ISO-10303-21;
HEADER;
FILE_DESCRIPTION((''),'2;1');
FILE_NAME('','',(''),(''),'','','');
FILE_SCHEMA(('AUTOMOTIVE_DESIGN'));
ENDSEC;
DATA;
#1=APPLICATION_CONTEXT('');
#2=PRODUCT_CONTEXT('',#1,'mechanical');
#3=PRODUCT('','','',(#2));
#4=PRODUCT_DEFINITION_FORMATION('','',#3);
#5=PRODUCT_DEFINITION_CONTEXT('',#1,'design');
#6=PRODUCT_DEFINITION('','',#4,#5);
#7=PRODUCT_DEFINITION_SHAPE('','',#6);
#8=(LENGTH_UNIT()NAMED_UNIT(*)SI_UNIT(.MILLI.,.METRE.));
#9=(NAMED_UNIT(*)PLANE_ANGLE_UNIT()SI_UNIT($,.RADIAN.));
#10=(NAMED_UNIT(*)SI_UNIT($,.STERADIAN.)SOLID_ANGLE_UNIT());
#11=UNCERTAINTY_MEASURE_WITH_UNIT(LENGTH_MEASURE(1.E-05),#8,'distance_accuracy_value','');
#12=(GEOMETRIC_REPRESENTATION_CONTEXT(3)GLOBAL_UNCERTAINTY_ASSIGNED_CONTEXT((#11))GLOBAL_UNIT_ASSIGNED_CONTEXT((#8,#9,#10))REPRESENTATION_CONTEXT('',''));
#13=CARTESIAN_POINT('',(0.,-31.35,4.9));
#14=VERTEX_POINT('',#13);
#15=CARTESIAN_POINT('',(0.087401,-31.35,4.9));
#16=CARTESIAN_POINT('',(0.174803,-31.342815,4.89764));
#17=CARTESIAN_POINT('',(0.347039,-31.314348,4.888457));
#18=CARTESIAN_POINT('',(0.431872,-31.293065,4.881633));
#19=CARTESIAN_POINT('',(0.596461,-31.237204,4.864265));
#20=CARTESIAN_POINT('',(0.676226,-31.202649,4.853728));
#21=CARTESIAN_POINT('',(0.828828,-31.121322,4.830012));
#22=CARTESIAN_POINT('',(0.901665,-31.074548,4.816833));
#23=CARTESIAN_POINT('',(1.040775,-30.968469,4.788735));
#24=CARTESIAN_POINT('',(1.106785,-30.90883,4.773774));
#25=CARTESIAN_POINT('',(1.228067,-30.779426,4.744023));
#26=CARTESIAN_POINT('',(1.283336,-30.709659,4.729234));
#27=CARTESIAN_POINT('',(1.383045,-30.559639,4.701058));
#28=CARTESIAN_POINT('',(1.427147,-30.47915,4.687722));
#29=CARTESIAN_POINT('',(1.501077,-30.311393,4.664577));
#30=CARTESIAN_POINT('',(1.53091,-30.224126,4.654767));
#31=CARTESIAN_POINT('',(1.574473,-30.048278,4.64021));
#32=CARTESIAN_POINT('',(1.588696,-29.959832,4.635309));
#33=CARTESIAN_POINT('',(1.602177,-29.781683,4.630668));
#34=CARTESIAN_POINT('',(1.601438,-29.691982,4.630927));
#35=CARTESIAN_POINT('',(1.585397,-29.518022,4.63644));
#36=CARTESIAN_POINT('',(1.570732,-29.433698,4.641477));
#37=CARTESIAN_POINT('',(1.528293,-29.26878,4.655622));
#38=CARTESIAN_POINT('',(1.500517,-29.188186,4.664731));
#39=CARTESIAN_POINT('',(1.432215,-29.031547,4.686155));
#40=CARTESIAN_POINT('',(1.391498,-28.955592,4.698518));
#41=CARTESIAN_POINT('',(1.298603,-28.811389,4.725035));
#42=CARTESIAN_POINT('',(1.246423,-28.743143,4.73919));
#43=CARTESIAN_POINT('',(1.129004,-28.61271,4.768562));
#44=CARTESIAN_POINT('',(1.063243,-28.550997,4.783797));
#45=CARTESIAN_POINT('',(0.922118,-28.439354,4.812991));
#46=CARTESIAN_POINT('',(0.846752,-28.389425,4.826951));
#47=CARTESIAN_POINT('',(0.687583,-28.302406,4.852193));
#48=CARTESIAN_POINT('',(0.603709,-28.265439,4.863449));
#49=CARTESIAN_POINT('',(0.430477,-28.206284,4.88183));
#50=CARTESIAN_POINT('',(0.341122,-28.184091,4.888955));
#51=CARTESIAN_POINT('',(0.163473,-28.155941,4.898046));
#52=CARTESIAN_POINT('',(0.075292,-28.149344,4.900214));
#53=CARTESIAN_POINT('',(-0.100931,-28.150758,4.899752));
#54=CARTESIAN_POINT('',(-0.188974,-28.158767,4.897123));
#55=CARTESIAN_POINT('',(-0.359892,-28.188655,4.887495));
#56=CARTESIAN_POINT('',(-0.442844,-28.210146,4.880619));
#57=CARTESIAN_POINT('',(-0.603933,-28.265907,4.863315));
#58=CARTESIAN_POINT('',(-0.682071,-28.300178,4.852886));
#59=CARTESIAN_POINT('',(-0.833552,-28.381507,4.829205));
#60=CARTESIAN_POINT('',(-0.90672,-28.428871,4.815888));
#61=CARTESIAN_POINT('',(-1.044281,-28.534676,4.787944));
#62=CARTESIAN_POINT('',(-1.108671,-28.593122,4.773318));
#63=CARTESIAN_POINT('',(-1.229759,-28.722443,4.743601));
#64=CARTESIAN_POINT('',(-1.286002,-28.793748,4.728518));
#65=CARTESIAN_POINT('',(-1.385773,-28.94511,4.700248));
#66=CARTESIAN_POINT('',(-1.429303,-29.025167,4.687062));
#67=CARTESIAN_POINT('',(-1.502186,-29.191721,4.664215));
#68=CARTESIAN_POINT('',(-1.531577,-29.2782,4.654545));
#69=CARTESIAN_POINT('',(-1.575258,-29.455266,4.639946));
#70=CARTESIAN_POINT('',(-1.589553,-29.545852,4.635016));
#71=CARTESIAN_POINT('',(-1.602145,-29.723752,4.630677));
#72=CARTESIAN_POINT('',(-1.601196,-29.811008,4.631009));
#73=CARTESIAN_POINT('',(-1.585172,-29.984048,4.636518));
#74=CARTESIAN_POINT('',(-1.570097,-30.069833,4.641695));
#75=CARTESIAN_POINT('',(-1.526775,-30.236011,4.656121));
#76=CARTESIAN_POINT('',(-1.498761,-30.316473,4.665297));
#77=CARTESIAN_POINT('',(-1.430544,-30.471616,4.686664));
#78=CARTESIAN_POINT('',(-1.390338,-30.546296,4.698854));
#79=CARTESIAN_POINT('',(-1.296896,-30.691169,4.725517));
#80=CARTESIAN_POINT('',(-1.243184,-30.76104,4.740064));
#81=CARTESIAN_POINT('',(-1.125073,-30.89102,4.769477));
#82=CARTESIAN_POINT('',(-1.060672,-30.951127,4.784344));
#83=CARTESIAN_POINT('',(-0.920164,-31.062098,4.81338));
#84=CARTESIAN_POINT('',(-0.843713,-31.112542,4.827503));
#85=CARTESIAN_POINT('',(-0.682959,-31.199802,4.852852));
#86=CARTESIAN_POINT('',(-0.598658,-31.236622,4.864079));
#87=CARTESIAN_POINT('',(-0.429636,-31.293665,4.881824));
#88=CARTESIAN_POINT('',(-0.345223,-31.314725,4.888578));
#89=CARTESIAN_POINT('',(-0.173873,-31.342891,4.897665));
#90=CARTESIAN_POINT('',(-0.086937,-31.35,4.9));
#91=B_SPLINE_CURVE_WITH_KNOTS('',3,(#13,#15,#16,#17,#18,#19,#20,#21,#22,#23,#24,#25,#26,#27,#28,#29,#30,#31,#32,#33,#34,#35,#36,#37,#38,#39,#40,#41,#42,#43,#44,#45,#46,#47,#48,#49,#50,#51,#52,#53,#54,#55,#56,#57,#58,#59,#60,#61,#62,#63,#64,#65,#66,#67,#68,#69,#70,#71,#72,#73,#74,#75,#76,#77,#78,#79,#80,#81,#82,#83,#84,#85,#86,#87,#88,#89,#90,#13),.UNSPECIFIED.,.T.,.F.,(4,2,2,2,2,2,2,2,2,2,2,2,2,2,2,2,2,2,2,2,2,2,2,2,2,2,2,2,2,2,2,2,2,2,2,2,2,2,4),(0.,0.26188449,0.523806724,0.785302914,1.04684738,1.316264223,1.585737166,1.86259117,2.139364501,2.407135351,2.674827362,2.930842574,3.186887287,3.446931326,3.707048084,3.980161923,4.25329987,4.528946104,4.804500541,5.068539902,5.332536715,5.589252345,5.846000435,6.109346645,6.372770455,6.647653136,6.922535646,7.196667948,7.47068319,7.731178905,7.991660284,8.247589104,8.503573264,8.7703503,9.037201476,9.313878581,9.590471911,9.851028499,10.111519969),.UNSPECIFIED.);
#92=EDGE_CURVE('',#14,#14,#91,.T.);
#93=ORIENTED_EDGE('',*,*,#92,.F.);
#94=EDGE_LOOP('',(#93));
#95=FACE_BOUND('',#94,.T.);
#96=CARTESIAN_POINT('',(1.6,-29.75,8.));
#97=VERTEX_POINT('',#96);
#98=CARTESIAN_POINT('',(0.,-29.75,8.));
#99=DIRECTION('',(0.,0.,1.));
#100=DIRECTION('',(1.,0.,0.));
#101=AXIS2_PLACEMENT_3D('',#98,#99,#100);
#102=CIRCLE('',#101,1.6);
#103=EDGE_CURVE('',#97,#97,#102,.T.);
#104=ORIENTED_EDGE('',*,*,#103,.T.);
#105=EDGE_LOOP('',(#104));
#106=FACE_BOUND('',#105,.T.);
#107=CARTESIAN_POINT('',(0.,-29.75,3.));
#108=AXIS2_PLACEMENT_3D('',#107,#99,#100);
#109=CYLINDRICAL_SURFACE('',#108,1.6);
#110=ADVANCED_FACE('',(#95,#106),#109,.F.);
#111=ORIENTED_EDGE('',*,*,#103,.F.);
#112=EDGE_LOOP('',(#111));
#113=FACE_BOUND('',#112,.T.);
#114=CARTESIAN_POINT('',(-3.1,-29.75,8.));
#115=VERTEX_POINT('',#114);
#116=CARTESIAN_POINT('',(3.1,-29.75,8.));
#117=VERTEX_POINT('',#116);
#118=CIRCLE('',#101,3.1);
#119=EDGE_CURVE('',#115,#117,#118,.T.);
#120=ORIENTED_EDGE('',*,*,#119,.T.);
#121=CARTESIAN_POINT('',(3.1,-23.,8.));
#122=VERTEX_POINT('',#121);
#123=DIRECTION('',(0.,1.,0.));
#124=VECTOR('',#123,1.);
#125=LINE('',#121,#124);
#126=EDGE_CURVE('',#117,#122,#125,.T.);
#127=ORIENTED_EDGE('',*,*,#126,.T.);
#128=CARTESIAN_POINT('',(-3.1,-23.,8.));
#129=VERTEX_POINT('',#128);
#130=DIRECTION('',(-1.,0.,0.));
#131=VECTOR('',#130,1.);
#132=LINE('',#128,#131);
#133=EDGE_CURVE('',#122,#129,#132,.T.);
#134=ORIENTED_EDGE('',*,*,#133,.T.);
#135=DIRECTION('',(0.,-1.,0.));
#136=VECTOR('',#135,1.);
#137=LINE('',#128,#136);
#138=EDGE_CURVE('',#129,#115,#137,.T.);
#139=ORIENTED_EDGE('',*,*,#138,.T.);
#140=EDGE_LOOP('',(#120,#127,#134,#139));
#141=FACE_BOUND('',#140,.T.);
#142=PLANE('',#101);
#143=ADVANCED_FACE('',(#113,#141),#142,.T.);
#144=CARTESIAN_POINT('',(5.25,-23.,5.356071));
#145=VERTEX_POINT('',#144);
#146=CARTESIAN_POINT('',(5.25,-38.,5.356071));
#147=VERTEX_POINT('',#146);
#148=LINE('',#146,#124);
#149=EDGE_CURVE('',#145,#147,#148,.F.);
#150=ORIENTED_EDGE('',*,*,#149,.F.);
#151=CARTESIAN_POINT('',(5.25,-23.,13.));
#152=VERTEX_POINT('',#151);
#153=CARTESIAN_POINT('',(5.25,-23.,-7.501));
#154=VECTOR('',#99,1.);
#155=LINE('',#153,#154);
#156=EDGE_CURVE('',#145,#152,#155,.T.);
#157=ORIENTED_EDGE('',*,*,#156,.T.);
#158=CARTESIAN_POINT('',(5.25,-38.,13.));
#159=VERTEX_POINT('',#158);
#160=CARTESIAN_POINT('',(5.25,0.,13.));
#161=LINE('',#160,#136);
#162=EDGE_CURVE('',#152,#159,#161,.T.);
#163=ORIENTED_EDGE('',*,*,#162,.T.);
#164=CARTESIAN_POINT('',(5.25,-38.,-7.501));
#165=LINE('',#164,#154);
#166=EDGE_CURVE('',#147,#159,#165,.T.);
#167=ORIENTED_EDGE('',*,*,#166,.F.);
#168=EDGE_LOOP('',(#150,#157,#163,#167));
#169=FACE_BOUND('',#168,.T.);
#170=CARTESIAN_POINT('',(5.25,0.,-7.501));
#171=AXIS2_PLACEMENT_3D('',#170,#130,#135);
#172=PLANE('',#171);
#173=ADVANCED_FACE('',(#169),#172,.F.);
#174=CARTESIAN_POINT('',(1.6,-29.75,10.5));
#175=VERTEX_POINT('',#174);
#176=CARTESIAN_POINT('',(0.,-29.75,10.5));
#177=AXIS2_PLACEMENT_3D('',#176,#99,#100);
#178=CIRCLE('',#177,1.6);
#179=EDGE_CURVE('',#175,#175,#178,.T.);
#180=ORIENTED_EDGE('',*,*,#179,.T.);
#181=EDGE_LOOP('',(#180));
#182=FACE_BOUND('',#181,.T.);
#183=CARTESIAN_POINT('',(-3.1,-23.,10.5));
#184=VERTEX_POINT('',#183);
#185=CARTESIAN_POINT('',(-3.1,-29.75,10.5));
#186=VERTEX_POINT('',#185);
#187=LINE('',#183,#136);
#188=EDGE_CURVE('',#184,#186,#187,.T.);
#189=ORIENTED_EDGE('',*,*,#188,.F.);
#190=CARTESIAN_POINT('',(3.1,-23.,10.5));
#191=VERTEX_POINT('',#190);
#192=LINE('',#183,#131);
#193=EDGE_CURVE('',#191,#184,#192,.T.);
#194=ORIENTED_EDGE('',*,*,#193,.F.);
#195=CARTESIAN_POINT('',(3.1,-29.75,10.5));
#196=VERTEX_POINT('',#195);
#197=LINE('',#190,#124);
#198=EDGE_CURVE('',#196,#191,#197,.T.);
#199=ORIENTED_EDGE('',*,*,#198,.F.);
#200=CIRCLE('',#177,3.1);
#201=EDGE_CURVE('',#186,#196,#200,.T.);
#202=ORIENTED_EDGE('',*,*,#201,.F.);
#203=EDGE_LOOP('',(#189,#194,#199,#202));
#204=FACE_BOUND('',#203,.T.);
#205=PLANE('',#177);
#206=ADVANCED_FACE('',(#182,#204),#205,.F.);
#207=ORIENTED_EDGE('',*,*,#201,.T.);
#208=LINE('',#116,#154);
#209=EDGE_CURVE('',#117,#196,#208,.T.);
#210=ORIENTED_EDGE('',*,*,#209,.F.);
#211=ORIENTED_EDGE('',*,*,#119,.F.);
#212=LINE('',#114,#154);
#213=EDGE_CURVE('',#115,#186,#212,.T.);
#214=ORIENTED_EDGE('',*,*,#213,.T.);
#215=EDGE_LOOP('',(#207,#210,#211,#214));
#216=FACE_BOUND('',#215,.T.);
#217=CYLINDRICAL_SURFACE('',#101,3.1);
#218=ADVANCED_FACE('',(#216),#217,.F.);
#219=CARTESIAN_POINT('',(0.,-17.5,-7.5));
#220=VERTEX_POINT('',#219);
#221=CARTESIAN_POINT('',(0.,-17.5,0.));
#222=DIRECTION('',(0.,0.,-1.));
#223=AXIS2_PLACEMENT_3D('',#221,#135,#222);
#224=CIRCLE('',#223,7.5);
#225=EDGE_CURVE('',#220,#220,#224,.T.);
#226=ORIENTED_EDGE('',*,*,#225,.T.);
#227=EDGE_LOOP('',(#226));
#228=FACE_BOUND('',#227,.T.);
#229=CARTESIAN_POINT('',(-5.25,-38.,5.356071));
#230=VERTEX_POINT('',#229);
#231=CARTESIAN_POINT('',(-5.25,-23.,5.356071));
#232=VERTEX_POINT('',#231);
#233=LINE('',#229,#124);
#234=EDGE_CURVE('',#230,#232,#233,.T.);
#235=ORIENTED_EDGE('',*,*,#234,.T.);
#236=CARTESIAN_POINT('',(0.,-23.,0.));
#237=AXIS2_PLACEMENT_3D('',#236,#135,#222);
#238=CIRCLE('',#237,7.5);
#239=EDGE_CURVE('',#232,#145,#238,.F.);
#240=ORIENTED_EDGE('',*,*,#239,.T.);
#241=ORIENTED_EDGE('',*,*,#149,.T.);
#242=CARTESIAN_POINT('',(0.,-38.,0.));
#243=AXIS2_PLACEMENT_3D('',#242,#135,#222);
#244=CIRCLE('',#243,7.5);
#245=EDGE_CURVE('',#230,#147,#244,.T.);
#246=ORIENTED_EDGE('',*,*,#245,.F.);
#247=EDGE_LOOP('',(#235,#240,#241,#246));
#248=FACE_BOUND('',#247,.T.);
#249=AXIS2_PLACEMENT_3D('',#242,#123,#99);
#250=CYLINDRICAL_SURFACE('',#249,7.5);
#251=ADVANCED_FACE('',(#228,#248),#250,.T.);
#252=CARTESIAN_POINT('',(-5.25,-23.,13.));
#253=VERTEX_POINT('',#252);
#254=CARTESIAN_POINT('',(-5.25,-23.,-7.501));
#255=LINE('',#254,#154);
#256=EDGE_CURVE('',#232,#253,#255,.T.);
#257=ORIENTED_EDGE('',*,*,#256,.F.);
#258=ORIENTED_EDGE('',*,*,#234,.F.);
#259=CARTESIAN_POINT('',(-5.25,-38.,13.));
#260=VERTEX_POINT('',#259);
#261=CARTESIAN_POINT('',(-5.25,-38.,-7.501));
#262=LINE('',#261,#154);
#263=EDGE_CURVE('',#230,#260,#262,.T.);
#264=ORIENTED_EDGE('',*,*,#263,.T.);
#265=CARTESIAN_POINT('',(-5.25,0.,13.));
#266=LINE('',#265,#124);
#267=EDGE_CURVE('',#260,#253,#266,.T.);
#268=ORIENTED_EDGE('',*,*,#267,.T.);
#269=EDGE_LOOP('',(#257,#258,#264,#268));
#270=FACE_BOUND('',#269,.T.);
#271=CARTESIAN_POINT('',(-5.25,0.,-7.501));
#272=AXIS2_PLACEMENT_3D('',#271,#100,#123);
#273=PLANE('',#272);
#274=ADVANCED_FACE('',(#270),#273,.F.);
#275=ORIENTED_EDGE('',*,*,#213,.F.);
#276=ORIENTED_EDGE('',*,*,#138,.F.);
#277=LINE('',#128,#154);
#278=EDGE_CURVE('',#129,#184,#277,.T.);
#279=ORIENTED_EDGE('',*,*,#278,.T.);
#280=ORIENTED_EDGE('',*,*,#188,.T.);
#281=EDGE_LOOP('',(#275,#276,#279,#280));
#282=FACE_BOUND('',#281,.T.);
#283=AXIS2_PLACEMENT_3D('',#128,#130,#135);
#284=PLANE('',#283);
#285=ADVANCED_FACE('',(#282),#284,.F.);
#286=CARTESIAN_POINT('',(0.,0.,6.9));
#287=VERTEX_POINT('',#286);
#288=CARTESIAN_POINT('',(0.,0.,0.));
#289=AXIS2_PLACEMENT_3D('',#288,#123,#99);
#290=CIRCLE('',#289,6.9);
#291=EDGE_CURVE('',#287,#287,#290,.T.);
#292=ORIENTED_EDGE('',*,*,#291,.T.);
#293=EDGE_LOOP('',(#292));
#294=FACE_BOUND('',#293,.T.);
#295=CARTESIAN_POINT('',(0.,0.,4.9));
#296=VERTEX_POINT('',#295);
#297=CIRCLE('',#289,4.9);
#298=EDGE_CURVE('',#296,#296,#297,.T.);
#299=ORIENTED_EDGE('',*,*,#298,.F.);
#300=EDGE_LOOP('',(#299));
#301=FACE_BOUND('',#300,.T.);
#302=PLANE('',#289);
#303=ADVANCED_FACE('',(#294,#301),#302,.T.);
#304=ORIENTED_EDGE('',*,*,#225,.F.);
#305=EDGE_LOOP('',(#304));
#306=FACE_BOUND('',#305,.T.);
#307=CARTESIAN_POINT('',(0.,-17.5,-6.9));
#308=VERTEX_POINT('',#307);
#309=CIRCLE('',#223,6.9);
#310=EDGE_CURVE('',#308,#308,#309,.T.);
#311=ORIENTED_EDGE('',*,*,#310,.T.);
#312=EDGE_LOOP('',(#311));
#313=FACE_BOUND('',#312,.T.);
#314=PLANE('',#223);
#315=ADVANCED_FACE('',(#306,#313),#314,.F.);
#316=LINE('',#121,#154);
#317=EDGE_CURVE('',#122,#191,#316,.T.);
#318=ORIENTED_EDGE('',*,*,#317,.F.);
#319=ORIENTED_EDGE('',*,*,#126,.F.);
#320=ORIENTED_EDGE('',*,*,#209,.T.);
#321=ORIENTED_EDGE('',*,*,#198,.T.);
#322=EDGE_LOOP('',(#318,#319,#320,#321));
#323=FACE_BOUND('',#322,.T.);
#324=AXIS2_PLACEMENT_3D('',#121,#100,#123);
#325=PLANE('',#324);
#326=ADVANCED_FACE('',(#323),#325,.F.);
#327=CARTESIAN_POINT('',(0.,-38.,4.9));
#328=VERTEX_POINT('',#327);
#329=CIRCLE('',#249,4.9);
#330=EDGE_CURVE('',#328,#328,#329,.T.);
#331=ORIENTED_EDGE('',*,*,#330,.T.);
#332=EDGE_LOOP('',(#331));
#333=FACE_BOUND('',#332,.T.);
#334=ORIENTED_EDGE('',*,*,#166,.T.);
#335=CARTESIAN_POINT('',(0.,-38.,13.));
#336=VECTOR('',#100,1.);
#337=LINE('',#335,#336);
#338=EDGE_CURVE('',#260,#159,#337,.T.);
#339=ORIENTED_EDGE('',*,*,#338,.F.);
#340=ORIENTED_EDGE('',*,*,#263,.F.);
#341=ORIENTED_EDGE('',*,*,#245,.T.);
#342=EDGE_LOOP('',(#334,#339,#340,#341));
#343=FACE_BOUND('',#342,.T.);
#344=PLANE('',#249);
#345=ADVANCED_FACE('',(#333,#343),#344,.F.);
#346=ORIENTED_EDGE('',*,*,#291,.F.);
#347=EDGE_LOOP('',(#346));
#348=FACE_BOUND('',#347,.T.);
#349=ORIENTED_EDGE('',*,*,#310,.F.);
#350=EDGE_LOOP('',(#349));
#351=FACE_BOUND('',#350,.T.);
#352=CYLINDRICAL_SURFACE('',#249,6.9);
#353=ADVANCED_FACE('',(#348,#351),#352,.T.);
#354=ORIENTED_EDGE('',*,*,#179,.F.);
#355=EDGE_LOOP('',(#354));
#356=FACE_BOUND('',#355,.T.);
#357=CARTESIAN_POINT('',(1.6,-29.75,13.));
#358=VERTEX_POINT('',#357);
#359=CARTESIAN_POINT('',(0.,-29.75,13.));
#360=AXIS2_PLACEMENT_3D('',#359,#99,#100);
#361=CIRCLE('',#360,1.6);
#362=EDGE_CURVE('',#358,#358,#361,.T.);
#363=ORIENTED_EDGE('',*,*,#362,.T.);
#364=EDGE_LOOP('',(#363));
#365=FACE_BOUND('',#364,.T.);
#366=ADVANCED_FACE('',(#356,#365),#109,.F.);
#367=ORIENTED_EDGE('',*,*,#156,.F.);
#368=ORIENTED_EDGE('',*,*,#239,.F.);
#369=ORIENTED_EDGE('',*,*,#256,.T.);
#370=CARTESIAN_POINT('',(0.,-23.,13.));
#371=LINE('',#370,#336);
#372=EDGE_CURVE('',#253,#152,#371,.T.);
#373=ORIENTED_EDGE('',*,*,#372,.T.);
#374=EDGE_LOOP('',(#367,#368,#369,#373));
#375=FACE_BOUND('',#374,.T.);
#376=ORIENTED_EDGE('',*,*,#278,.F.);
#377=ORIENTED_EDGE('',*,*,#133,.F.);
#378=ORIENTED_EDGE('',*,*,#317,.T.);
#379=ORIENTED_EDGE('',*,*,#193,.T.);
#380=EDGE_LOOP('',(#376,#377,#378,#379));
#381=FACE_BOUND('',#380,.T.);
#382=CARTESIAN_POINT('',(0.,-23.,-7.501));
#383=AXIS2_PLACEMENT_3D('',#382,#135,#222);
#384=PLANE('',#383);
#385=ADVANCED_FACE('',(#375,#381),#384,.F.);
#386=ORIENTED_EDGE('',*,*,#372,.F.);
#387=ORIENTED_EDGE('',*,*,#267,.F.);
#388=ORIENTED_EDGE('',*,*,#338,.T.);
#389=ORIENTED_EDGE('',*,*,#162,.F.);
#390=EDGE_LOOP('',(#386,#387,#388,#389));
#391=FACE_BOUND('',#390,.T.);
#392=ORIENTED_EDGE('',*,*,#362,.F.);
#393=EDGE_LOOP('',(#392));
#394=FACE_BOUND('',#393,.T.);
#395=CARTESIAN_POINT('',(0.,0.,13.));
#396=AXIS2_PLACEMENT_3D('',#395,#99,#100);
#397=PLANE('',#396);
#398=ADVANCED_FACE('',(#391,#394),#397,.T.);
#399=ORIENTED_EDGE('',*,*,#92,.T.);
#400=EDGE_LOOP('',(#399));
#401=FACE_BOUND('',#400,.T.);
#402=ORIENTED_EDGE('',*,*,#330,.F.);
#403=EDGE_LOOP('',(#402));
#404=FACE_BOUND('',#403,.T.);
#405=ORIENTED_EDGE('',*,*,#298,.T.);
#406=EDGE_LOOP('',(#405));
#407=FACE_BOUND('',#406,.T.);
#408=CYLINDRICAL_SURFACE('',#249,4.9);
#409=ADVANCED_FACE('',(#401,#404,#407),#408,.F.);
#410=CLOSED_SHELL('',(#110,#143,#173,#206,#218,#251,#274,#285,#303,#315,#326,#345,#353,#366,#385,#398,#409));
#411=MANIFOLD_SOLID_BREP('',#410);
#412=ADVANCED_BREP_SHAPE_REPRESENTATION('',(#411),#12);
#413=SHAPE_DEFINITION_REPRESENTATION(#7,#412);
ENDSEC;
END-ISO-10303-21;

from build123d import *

# Parameters (mm, degrees)
SKETCH1_R                = 6.9
SKETCH1_R_2              = 4.9
BOSS_EXTRUDE1_DEPTH      = 38
SKETCH2_R                = 7.5
SKETCH2_R_2              = 6.9
BOSS_EXTRUDE2_DEPTH      = 20.5
BOSS_EXTRUDE3_REACH      = 22.5
BOSS_EXTRUDE3_END_RADIUS = 7.5
BOSS_EXTRUDE3_START      = 13
SKETCH3_W                = 10.5
SKETCH3_H                = 15
CUT_EXTRUDE1_START       = -2.5
CUT_EXTRUDE1_DEPTH       = 2.5
SKETCH5_R                = 1.6
CUT_EXTRUDE2_DEPTH       = 10


with BuildPart() as part:
    # Sketch1 → Boss-Extrude1 (new body)
    with BuildSketch(Plane(origin=(0, 0, 0), x_dir=(1, 0, 0), z_dir=(0, 1, 0))):
        with Locations(Location((0, 0, 0), (0, 0, 270))):  # turned: the seam where the file's is
            Circle(SKETCH1_R)
        with Locations(Location((0, 0, 0), (0, 0, 270))):  # turned: the seam where the file's is
            Circle(SKETCH1_R_2, mode=Mode.SUBTRACT)
    extrude(amount=-BOSS_EXTRUDE1_DEPTH)

    # Sketch2 → Boss-Extrude2 (add, through all)
    with BuildSketch(Plane(origin=(0, -17.5, 0), x_dir=(-1, 0, 0), z_dir=(0, -1, 0))):
        with Locations(Location((0, 0, 0), (0, 0, 90))):  # turned: the seam where the file's is
            Circle(SKETCH2_R)
        with Locations(Location((0, 0, 0), (0, 0, 270))):  # turned: the seam where the file's is
            Circle(SKETCH2_R_2, mode=Mode.SUBTRACT)
    extrude(amount=BOSS_EXTRUDE2_DEPTH)

    # Boss-Extrude3: up to this cylinder (the profile starts outside it)
    boss_extrude3_end = Plane(origin=(0, -30.5, 0), z_dir=(0, 1, 0)) * Cylinder(BOSS_EXTRUDE3_END_RADIUS, 61, mode=Mode.PRIVATE)
    # Sketch3 → Boss-Extrude3 (add, up to the surface)
    with BuildSketch(Plane.XY.offset(BOSS_EXTRUDE3_START), mode=Mode.PRIVATE) as boss_extrude3_sk1:
        with Locations((0, -30.5)):
            Rectangle(SKETCH3_W, SKETCH3_H)
    boss_extrude3_tool1 = extrude(boss_extrude3_sk1.sketch, amount=-BOSS_EXTRUDE3_REACH, mode=Mode.PRIVATE) - boss_extrude3_end
    add(boss_extrude3_tool1.solids().sort_by_distance((0, -30.5, 13))[0])

    # Sketch4 → Cut-Extrude1 (cut)
    with BuildSketch(Plane.XY.offset(13).offset(CUT_EXTRUDE1_START)):
        with BuildLine():
            Line((-3.1, -23), (-3.1, -29.75))
            ThreePointArc((-3.1, -29.75), (0, -32.85), (3.1, -29.75))
            Line((3.1, -29.75), (3.1, -23))
            Line((3.1, -23), (-3.1, -23))
        make_face()
    extrude(amount=-CUT_EXTRUDE1_DEPTH, mode=Mode.SUBTRACT)

    # Sketch5 → Cut-Extrude2 (cut)
    with BuildSketch(Plane.XY.offset(13)):
        with Locations((0, -29.75)):
            Circle(SKETCH5_R)
    extrude(amount=-CUT_EXTRUDE2_DEPTH, mode=Mode.SUBTRACT)


solid = part.part
